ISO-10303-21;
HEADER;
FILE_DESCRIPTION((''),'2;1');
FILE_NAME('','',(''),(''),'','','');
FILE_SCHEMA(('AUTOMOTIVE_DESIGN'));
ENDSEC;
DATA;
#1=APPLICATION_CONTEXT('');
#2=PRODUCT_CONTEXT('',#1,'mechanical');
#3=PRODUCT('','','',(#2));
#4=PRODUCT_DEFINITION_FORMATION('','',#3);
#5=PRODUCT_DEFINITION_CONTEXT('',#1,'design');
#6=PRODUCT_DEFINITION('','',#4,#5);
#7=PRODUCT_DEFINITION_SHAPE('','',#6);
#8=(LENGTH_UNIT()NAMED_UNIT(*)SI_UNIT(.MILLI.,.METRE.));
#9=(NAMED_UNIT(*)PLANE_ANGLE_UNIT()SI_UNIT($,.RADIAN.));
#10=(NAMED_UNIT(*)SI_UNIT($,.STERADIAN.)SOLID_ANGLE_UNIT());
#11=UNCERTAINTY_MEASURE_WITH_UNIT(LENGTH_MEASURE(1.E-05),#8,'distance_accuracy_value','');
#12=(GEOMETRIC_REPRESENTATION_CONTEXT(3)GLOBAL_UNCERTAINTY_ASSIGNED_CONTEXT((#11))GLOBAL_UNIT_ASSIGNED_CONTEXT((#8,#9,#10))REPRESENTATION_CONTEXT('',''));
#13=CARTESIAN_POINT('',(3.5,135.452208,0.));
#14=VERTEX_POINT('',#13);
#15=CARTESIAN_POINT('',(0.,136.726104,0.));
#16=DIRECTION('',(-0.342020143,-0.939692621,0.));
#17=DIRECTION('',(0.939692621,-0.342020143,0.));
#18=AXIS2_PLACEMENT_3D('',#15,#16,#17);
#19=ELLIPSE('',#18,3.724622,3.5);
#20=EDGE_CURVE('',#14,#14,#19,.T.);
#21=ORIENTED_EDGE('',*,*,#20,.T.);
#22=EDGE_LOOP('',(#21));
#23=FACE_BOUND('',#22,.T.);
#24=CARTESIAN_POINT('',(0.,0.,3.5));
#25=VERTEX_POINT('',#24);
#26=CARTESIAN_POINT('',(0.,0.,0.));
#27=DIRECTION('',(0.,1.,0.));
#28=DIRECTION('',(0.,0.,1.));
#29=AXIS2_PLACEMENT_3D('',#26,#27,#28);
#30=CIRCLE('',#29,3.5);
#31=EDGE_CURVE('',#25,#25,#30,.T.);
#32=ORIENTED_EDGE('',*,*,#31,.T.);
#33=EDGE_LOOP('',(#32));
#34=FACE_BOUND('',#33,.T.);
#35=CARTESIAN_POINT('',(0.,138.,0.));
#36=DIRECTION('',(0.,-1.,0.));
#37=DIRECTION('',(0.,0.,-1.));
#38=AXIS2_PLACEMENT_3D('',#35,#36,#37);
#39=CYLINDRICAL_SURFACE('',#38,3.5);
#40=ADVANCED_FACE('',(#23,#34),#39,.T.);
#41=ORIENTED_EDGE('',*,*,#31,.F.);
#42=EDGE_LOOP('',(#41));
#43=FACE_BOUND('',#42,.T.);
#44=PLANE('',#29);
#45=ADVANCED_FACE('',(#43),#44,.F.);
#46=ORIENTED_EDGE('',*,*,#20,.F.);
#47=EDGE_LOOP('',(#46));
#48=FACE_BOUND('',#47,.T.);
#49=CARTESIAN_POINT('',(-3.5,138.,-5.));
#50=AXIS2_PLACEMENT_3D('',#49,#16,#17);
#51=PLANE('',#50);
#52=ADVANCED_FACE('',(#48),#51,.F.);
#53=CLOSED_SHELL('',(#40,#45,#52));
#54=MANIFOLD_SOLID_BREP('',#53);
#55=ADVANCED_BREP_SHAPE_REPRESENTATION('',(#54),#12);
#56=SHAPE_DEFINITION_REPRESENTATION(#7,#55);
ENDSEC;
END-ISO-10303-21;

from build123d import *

# Parameters (mm, degrees)
SKETCH_1_R          = 3.5
EXTRUDE_1_DEPTH     = 138
CUT_EXTRUDE_1_DEPTH = 5


with BuildPart() as part:
    # 草圖1 → 填料-伸長1 (new body)
    with BuildSketch(Plane(origin=(0, 0, 0), x_dir=(1, 0, 0), z_dir=(0, 1, 0))):
        with Locations(Location((0, 0, 0), (0, 0, 270))):
            Circle(SKETCH_1_R)
    extrude(amount=EXTRUDE_1_DEPTH)

    # 草圖2 → 除料-伸長1 (cut, symmetric)
    with BuildSketch(Plane.XY):
        Polygon((-3.5, 138), (3.5, 135.45220836), (3.5, 138), align=None)
    extrude(amount=CUT_EXTRUDE_1_DEPTH, both=True, mode=Mode.SUBTRACT)


solid = part.part
